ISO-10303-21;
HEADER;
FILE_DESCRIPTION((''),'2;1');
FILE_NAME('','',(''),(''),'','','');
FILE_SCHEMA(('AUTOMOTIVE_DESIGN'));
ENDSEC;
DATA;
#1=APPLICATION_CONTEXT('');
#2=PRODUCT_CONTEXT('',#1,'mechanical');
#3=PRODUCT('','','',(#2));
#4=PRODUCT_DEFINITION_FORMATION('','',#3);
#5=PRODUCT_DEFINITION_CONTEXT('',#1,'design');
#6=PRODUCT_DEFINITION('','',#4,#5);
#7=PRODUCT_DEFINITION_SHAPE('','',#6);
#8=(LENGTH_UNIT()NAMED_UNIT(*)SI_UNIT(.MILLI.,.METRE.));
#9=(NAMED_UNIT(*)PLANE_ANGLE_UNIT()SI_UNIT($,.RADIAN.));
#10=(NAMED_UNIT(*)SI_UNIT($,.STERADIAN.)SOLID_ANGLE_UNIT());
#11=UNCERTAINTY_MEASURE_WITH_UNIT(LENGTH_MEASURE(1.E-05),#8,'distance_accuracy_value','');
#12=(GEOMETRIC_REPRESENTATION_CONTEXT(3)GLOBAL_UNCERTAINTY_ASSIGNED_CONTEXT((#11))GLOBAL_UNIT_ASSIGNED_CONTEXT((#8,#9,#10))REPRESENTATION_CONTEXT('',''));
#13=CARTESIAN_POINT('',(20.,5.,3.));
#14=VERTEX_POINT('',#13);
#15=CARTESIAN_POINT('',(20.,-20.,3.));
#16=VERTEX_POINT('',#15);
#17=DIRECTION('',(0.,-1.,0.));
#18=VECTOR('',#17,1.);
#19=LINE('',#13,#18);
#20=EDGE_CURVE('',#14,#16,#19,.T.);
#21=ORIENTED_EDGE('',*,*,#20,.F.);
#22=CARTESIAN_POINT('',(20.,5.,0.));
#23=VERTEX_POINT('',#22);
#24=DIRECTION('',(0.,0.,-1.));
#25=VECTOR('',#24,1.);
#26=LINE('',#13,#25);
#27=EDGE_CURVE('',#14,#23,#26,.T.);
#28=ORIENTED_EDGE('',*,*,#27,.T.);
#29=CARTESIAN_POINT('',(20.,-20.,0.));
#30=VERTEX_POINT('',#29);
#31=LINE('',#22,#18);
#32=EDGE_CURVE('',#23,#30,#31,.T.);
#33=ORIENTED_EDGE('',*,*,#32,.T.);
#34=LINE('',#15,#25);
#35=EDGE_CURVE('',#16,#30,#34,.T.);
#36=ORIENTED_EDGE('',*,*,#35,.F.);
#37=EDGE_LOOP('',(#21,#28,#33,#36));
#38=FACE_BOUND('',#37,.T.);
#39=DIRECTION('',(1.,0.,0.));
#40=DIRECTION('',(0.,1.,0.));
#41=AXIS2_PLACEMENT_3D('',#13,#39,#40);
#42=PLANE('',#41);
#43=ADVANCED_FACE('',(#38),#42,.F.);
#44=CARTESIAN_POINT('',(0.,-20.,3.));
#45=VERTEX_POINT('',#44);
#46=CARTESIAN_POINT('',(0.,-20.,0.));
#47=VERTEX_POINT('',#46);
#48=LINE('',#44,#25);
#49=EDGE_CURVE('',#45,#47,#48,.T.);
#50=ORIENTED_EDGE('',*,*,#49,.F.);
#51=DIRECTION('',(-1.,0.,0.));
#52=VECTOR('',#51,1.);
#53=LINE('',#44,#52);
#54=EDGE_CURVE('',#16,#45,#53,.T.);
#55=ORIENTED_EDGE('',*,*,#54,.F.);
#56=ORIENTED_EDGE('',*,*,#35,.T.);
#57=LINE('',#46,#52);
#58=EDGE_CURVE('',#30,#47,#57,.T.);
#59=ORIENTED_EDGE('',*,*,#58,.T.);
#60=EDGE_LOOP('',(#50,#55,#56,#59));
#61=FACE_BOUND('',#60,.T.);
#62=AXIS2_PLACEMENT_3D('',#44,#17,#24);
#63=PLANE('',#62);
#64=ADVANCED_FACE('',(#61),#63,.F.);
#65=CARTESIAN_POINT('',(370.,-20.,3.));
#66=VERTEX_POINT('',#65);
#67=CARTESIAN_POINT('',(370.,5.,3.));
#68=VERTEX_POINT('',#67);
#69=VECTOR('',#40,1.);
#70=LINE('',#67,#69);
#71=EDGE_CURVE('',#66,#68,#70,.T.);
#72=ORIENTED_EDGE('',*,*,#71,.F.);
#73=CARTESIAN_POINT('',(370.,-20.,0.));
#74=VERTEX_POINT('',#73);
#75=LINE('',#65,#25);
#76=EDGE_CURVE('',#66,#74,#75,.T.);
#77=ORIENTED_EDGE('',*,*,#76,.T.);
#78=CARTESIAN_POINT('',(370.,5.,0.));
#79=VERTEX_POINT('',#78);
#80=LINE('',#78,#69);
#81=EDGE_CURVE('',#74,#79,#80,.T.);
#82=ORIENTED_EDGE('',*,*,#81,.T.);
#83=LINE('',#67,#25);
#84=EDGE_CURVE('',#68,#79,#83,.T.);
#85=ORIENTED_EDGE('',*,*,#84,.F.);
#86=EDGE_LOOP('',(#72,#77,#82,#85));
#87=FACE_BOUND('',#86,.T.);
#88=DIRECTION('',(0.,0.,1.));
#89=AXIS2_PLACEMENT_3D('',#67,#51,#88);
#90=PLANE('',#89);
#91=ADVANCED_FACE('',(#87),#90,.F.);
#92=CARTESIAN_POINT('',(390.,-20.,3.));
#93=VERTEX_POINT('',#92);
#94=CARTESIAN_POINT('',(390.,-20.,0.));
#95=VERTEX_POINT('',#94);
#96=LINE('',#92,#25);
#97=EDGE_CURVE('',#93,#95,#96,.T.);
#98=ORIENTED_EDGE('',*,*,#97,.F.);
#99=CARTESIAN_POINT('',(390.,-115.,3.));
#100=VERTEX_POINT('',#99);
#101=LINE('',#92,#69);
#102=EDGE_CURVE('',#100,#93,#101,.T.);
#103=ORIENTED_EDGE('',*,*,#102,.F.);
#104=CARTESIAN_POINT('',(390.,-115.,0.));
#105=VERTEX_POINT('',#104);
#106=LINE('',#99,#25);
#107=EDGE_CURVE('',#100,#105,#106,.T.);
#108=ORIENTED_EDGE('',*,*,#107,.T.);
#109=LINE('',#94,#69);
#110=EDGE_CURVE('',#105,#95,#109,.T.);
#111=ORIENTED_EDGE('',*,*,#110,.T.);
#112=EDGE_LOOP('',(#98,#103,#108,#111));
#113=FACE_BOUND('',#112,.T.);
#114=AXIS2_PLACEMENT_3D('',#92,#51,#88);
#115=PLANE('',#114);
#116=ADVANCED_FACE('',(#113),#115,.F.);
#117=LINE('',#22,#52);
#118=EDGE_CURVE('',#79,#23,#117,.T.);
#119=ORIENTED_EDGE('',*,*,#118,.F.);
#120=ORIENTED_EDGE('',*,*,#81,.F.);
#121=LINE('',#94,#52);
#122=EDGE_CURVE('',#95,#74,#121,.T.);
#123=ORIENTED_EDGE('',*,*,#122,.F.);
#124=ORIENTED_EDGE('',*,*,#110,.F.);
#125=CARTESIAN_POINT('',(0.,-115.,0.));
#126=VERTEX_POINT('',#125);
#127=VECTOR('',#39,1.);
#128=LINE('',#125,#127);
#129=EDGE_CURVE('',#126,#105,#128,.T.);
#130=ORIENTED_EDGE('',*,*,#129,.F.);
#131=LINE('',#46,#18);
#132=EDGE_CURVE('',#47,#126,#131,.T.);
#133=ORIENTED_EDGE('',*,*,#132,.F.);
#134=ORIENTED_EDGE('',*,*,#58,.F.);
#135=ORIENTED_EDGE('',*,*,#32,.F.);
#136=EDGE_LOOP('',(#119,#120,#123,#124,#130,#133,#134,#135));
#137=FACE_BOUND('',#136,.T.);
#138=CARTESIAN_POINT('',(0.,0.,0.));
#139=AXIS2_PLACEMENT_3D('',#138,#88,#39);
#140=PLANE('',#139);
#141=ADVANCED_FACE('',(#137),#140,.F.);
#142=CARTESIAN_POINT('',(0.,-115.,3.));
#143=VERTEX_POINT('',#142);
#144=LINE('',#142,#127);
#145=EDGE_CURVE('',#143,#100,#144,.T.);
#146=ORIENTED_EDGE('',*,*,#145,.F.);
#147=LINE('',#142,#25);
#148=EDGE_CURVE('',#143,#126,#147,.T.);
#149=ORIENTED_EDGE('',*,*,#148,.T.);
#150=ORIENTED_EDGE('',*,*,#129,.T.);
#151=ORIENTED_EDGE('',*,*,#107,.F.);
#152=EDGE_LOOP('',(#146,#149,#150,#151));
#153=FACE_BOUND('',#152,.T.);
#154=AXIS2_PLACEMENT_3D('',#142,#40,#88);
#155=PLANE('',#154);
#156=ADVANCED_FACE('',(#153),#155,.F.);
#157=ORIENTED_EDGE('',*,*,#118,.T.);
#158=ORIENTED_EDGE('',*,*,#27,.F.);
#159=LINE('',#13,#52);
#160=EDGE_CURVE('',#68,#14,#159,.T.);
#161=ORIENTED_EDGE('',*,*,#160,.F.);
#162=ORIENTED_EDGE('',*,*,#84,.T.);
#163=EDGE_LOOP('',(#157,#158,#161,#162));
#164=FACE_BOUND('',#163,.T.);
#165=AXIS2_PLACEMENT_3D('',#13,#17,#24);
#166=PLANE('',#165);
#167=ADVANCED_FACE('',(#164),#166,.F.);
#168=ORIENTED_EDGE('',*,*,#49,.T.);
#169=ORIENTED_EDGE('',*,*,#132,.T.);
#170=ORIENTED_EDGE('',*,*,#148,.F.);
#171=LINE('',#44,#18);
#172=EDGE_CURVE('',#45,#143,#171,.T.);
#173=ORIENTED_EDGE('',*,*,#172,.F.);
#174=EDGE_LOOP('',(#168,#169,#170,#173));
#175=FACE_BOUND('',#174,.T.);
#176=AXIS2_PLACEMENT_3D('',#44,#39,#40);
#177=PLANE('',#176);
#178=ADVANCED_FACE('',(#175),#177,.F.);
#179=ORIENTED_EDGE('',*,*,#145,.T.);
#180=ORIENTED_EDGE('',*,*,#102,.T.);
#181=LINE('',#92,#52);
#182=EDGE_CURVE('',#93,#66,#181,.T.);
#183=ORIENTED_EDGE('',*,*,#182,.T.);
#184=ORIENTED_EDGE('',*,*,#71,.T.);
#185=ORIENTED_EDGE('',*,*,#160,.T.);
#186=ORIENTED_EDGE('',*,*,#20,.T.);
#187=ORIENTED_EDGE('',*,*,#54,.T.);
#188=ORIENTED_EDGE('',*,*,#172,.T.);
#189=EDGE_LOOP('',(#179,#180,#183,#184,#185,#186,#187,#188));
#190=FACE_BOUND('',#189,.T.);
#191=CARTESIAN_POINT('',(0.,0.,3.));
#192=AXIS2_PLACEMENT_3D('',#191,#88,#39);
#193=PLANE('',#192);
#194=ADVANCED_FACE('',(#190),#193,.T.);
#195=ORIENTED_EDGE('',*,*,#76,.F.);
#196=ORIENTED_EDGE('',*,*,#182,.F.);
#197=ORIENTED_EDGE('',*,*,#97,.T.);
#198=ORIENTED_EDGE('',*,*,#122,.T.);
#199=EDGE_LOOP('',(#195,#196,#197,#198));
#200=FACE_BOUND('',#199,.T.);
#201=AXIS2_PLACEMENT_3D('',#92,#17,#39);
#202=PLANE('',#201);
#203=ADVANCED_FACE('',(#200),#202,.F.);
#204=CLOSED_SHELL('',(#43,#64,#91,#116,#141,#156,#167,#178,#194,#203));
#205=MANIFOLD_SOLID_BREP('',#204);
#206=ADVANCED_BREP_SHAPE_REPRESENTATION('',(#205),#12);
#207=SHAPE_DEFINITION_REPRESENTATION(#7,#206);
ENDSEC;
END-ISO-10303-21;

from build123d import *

# Parameters (mm, degrees)
EXTRUDE_1_DEPTH = 3


with BuildPart() as part:
    # 草图1 → 凸台-拉伸1 (new body)
    with BuildSketch(Plane.XY):
        Polygon((20, 5), (370, 5), (370, -20), (390, -20), (390, -115), (0, -115), (0, -20), (20, -20), align=None)
    extrude(amount=EXTRUDE_1_DEPTH)


solid = part.part
